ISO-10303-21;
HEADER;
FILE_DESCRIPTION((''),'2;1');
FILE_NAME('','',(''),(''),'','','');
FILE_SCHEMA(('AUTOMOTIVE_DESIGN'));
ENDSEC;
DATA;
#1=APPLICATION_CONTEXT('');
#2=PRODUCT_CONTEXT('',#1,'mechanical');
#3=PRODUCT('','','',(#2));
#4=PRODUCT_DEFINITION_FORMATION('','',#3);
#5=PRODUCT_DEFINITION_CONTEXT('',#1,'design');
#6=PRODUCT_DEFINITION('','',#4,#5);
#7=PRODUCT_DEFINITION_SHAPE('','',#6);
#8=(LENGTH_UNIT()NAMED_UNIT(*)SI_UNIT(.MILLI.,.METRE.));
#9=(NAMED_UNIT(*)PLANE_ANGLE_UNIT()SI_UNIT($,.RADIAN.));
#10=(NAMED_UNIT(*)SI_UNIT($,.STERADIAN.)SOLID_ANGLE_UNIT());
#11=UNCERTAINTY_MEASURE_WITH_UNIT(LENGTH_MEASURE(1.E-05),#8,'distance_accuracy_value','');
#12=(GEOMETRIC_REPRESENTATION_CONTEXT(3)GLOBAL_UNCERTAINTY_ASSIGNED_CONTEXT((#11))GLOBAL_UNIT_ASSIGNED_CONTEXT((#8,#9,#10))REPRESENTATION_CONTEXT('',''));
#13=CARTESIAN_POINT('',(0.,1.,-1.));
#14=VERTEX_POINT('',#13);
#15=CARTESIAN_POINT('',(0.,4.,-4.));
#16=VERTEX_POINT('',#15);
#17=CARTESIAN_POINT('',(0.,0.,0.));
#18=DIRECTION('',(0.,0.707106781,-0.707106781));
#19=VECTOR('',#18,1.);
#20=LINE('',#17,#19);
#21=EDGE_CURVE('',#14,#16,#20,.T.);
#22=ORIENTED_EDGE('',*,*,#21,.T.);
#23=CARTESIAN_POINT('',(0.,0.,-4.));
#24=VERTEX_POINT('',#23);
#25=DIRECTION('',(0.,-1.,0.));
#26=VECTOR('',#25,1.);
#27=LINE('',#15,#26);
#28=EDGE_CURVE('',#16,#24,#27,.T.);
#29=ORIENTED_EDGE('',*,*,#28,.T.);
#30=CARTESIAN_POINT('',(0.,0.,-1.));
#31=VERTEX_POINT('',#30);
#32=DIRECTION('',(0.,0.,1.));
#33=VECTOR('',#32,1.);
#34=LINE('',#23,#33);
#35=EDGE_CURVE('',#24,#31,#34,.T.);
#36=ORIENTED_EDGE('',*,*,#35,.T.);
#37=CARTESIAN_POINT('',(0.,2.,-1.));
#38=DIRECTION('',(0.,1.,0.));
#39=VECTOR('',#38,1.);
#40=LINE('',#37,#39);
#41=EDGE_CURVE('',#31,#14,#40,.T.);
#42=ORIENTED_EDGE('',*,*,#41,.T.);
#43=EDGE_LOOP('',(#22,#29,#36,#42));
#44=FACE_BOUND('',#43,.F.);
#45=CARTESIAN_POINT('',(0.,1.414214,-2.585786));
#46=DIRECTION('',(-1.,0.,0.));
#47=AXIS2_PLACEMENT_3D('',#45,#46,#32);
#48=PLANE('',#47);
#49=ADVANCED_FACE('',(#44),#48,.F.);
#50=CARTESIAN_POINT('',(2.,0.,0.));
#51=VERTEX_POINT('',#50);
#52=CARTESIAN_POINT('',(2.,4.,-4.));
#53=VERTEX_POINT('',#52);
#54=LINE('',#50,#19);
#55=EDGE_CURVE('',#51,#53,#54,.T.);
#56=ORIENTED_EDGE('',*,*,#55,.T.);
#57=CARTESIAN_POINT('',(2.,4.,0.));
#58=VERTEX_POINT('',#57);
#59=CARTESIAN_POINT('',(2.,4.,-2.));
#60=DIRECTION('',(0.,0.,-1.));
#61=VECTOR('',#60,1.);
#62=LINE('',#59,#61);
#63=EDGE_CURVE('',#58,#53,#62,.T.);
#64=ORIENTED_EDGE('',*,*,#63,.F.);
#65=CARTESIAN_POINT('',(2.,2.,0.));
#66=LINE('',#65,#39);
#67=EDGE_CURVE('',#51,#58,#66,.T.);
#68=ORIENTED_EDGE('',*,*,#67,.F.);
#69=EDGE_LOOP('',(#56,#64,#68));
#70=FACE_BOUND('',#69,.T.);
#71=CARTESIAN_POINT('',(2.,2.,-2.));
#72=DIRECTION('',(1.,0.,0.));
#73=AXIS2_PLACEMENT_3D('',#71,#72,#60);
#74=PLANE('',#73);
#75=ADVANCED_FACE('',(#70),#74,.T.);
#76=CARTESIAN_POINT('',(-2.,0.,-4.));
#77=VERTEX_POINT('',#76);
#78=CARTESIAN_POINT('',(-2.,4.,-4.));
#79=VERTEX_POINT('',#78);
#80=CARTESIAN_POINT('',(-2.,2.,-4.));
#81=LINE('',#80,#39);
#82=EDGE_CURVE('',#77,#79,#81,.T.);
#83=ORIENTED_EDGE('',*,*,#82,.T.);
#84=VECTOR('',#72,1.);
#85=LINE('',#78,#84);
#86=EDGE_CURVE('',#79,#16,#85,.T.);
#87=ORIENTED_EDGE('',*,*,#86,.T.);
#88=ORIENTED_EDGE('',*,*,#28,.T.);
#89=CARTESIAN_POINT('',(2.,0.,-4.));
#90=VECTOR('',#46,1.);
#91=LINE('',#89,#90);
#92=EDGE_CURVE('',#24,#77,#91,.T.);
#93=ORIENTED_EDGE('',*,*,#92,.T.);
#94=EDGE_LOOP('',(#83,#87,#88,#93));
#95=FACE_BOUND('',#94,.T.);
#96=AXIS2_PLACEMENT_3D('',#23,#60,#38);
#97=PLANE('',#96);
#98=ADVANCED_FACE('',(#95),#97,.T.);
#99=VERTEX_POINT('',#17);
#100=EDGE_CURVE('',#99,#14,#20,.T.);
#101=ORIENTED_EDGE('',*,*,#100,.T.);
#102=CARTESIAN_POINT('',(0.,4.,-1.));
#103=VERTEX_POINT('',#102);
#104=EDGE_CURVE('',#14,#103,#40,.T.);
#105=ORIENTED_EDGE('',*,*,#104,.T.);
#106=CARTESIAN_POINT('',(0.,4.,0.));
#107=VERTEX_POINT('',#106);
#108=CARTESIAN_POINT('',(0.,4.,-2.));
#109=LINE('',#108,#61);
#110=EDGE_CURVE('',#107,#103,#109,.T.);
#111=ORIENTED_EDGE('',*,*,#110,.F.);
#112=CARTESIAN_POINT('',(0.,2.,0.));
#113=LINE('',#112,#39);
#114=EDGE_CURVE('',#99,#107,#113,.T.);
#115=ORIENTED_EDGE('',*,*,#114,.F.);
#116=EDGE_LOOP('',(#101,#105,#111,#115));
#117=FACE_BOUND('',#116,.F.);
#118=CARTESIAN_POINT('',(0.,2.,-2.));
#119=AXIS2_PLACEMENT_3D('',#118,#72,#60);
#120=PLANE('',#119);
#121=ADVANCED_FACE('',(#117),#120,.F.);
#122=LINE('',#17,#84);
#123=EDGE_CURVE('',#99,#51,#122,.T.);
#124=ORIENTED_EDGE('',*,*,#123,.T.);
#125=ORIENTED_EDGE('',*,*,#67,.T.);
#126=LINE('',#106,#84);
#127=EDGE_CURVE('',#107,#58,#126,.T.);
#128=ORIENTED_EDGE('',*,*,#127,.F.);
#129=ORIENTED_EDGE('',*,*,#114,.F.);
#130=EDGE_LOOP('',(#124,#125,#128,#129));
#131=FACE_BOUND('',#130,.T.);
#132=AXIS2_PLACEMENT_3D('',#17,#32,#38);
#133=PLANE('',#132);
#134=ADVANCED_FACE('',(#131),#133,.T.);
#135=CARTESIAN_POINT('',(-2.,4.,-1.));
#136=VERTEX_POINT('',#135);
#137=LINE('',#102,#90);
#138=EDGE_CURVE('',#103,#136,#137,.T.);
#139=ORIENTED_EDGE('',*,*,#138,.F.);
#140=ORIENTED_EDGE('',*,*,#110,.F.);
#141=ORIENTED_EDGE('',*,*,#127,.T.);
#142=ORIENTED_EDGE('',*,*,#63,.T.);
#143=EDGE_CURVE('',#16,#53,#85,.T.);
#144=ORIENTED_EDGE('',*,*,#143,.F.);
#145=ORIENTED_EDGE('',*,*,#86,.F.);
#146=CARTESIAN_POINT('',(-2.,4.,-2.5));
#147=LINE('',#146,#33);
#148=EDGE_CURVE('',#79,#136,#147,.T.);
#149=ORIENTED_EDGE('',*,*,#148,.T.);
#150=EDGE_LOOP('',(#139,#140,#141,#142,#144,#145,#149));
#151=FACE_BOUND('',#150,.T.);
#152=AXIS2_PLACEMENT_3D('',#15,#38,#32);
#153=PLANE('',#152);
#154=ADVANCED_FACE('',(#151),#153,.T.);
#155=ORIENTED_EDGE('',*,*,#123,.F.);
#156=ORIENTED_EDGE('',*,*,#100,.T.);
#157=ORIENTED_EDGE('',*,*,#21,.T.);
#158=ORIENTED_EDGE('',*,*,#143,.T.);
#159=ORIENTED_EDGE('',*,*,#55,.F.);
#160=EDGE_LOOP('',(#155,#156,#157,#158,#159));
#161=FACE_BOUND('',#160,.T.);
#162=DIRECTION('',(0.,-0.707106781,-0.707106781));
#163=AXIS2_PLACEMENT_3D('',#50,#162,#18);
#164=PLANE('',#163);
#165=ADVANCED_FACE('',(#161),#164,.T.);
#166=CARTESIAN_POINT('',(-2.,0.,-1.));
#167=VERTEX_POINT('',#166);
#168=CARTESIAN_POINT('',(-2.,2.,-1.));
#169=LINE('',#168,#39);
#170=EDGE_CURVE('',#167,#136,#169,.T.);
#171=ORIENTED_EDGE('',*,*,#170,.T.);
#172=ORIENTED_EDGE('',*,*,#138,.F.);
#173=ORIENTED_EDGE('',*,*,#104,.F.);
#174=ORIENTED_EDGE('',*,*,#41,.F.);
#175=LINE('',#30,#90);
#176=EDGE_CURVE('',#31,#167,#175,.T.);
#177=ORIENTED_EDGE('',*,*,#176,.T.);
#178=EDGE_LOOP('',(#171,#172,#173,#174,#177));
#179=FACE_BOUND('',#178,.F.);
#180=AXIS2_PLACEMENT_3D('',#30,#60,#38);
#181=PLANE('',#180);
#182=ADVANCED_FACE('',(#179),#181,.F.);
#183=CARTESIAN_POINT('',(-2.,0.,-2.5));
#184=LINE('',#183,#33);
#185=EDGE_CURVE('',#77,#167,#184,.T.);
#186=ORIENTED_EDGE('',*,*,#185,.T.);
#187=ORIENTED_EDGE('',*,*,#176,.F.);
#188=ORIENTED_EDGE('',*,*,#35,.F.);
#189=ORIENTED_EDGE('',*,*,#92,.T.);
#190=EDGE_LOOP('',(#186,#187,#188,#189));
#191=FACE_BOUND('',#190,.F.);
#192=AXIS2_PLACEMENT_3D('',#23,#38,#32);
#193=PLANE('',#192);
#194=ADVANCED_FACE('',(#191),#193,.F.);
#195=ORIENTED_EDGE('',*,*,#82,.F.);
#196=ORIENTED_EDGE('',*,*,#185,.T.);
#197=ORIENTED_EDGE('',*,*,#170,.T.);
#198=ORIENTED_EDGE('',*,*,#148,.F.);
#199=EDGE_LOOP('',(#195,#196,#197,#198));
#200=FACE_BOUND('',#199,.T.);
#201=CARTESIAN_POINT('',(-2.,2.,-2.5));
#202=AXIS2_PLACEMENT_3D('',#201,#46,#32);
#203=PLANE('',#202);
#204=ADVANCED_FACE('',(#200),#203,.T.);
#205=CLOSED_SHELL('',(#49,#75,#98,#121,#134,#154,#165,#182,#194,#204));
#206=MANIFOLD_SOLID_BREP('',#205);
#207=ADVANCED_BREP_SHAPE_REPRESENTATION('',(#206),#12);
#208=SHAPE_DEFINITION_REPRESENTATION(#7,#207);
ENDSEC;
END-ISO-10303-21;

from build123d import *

# Parameters (mm, degrees)
SKETCH1_W           = 4
SKETCH1_H           = 4
BOSS_EXTRUDE1_DEPTH = 2
SKETCH2_W           = 3
SKETCH2_H           = 4
BOSS_EXTRUDE2_DEPTH = 2
CUT_EXTRUDE1_DEPTH  = 2


with BuildPart() as part:
    # Sketch1 → Boss-Extrude1 (new body)
    with BuildSketch(Plane(origin=(0, 0, 0), x_dir=(0, 0, -1), z_dir=(1, 0, 0))):
        with Locations((2, 2)):
            Rectangle(SKETCH1_W, SKETCH1_H)
    extrude(amount=BOSS_EXTRUDE1_DEPTH)

    # Sketch2 → Boss-Extrude2 (add)
    with BuildSketch(Plane.ZY):
        with Locations((-2.5, 2)):
            Rectangle(SKETCH2_W, SKETCH2_H)
    extrude(amount=BOSS_EXTRUDE2_DEPTH)

    # Sketch3 → Cut-Extrude1 (cut)
    with BuildSketch(Plane(origin=(2, 0, 0), x_dir=(0, 0, -1), z_dir=(1, 0, 0))):
        Polygon((0, 0), (4, 4), (4, 0), align=None)
    extrude(amount=-CUT_EXTRUDE1_DEPTH, mode=Mode.SUBTRACT)


solid = part.part
